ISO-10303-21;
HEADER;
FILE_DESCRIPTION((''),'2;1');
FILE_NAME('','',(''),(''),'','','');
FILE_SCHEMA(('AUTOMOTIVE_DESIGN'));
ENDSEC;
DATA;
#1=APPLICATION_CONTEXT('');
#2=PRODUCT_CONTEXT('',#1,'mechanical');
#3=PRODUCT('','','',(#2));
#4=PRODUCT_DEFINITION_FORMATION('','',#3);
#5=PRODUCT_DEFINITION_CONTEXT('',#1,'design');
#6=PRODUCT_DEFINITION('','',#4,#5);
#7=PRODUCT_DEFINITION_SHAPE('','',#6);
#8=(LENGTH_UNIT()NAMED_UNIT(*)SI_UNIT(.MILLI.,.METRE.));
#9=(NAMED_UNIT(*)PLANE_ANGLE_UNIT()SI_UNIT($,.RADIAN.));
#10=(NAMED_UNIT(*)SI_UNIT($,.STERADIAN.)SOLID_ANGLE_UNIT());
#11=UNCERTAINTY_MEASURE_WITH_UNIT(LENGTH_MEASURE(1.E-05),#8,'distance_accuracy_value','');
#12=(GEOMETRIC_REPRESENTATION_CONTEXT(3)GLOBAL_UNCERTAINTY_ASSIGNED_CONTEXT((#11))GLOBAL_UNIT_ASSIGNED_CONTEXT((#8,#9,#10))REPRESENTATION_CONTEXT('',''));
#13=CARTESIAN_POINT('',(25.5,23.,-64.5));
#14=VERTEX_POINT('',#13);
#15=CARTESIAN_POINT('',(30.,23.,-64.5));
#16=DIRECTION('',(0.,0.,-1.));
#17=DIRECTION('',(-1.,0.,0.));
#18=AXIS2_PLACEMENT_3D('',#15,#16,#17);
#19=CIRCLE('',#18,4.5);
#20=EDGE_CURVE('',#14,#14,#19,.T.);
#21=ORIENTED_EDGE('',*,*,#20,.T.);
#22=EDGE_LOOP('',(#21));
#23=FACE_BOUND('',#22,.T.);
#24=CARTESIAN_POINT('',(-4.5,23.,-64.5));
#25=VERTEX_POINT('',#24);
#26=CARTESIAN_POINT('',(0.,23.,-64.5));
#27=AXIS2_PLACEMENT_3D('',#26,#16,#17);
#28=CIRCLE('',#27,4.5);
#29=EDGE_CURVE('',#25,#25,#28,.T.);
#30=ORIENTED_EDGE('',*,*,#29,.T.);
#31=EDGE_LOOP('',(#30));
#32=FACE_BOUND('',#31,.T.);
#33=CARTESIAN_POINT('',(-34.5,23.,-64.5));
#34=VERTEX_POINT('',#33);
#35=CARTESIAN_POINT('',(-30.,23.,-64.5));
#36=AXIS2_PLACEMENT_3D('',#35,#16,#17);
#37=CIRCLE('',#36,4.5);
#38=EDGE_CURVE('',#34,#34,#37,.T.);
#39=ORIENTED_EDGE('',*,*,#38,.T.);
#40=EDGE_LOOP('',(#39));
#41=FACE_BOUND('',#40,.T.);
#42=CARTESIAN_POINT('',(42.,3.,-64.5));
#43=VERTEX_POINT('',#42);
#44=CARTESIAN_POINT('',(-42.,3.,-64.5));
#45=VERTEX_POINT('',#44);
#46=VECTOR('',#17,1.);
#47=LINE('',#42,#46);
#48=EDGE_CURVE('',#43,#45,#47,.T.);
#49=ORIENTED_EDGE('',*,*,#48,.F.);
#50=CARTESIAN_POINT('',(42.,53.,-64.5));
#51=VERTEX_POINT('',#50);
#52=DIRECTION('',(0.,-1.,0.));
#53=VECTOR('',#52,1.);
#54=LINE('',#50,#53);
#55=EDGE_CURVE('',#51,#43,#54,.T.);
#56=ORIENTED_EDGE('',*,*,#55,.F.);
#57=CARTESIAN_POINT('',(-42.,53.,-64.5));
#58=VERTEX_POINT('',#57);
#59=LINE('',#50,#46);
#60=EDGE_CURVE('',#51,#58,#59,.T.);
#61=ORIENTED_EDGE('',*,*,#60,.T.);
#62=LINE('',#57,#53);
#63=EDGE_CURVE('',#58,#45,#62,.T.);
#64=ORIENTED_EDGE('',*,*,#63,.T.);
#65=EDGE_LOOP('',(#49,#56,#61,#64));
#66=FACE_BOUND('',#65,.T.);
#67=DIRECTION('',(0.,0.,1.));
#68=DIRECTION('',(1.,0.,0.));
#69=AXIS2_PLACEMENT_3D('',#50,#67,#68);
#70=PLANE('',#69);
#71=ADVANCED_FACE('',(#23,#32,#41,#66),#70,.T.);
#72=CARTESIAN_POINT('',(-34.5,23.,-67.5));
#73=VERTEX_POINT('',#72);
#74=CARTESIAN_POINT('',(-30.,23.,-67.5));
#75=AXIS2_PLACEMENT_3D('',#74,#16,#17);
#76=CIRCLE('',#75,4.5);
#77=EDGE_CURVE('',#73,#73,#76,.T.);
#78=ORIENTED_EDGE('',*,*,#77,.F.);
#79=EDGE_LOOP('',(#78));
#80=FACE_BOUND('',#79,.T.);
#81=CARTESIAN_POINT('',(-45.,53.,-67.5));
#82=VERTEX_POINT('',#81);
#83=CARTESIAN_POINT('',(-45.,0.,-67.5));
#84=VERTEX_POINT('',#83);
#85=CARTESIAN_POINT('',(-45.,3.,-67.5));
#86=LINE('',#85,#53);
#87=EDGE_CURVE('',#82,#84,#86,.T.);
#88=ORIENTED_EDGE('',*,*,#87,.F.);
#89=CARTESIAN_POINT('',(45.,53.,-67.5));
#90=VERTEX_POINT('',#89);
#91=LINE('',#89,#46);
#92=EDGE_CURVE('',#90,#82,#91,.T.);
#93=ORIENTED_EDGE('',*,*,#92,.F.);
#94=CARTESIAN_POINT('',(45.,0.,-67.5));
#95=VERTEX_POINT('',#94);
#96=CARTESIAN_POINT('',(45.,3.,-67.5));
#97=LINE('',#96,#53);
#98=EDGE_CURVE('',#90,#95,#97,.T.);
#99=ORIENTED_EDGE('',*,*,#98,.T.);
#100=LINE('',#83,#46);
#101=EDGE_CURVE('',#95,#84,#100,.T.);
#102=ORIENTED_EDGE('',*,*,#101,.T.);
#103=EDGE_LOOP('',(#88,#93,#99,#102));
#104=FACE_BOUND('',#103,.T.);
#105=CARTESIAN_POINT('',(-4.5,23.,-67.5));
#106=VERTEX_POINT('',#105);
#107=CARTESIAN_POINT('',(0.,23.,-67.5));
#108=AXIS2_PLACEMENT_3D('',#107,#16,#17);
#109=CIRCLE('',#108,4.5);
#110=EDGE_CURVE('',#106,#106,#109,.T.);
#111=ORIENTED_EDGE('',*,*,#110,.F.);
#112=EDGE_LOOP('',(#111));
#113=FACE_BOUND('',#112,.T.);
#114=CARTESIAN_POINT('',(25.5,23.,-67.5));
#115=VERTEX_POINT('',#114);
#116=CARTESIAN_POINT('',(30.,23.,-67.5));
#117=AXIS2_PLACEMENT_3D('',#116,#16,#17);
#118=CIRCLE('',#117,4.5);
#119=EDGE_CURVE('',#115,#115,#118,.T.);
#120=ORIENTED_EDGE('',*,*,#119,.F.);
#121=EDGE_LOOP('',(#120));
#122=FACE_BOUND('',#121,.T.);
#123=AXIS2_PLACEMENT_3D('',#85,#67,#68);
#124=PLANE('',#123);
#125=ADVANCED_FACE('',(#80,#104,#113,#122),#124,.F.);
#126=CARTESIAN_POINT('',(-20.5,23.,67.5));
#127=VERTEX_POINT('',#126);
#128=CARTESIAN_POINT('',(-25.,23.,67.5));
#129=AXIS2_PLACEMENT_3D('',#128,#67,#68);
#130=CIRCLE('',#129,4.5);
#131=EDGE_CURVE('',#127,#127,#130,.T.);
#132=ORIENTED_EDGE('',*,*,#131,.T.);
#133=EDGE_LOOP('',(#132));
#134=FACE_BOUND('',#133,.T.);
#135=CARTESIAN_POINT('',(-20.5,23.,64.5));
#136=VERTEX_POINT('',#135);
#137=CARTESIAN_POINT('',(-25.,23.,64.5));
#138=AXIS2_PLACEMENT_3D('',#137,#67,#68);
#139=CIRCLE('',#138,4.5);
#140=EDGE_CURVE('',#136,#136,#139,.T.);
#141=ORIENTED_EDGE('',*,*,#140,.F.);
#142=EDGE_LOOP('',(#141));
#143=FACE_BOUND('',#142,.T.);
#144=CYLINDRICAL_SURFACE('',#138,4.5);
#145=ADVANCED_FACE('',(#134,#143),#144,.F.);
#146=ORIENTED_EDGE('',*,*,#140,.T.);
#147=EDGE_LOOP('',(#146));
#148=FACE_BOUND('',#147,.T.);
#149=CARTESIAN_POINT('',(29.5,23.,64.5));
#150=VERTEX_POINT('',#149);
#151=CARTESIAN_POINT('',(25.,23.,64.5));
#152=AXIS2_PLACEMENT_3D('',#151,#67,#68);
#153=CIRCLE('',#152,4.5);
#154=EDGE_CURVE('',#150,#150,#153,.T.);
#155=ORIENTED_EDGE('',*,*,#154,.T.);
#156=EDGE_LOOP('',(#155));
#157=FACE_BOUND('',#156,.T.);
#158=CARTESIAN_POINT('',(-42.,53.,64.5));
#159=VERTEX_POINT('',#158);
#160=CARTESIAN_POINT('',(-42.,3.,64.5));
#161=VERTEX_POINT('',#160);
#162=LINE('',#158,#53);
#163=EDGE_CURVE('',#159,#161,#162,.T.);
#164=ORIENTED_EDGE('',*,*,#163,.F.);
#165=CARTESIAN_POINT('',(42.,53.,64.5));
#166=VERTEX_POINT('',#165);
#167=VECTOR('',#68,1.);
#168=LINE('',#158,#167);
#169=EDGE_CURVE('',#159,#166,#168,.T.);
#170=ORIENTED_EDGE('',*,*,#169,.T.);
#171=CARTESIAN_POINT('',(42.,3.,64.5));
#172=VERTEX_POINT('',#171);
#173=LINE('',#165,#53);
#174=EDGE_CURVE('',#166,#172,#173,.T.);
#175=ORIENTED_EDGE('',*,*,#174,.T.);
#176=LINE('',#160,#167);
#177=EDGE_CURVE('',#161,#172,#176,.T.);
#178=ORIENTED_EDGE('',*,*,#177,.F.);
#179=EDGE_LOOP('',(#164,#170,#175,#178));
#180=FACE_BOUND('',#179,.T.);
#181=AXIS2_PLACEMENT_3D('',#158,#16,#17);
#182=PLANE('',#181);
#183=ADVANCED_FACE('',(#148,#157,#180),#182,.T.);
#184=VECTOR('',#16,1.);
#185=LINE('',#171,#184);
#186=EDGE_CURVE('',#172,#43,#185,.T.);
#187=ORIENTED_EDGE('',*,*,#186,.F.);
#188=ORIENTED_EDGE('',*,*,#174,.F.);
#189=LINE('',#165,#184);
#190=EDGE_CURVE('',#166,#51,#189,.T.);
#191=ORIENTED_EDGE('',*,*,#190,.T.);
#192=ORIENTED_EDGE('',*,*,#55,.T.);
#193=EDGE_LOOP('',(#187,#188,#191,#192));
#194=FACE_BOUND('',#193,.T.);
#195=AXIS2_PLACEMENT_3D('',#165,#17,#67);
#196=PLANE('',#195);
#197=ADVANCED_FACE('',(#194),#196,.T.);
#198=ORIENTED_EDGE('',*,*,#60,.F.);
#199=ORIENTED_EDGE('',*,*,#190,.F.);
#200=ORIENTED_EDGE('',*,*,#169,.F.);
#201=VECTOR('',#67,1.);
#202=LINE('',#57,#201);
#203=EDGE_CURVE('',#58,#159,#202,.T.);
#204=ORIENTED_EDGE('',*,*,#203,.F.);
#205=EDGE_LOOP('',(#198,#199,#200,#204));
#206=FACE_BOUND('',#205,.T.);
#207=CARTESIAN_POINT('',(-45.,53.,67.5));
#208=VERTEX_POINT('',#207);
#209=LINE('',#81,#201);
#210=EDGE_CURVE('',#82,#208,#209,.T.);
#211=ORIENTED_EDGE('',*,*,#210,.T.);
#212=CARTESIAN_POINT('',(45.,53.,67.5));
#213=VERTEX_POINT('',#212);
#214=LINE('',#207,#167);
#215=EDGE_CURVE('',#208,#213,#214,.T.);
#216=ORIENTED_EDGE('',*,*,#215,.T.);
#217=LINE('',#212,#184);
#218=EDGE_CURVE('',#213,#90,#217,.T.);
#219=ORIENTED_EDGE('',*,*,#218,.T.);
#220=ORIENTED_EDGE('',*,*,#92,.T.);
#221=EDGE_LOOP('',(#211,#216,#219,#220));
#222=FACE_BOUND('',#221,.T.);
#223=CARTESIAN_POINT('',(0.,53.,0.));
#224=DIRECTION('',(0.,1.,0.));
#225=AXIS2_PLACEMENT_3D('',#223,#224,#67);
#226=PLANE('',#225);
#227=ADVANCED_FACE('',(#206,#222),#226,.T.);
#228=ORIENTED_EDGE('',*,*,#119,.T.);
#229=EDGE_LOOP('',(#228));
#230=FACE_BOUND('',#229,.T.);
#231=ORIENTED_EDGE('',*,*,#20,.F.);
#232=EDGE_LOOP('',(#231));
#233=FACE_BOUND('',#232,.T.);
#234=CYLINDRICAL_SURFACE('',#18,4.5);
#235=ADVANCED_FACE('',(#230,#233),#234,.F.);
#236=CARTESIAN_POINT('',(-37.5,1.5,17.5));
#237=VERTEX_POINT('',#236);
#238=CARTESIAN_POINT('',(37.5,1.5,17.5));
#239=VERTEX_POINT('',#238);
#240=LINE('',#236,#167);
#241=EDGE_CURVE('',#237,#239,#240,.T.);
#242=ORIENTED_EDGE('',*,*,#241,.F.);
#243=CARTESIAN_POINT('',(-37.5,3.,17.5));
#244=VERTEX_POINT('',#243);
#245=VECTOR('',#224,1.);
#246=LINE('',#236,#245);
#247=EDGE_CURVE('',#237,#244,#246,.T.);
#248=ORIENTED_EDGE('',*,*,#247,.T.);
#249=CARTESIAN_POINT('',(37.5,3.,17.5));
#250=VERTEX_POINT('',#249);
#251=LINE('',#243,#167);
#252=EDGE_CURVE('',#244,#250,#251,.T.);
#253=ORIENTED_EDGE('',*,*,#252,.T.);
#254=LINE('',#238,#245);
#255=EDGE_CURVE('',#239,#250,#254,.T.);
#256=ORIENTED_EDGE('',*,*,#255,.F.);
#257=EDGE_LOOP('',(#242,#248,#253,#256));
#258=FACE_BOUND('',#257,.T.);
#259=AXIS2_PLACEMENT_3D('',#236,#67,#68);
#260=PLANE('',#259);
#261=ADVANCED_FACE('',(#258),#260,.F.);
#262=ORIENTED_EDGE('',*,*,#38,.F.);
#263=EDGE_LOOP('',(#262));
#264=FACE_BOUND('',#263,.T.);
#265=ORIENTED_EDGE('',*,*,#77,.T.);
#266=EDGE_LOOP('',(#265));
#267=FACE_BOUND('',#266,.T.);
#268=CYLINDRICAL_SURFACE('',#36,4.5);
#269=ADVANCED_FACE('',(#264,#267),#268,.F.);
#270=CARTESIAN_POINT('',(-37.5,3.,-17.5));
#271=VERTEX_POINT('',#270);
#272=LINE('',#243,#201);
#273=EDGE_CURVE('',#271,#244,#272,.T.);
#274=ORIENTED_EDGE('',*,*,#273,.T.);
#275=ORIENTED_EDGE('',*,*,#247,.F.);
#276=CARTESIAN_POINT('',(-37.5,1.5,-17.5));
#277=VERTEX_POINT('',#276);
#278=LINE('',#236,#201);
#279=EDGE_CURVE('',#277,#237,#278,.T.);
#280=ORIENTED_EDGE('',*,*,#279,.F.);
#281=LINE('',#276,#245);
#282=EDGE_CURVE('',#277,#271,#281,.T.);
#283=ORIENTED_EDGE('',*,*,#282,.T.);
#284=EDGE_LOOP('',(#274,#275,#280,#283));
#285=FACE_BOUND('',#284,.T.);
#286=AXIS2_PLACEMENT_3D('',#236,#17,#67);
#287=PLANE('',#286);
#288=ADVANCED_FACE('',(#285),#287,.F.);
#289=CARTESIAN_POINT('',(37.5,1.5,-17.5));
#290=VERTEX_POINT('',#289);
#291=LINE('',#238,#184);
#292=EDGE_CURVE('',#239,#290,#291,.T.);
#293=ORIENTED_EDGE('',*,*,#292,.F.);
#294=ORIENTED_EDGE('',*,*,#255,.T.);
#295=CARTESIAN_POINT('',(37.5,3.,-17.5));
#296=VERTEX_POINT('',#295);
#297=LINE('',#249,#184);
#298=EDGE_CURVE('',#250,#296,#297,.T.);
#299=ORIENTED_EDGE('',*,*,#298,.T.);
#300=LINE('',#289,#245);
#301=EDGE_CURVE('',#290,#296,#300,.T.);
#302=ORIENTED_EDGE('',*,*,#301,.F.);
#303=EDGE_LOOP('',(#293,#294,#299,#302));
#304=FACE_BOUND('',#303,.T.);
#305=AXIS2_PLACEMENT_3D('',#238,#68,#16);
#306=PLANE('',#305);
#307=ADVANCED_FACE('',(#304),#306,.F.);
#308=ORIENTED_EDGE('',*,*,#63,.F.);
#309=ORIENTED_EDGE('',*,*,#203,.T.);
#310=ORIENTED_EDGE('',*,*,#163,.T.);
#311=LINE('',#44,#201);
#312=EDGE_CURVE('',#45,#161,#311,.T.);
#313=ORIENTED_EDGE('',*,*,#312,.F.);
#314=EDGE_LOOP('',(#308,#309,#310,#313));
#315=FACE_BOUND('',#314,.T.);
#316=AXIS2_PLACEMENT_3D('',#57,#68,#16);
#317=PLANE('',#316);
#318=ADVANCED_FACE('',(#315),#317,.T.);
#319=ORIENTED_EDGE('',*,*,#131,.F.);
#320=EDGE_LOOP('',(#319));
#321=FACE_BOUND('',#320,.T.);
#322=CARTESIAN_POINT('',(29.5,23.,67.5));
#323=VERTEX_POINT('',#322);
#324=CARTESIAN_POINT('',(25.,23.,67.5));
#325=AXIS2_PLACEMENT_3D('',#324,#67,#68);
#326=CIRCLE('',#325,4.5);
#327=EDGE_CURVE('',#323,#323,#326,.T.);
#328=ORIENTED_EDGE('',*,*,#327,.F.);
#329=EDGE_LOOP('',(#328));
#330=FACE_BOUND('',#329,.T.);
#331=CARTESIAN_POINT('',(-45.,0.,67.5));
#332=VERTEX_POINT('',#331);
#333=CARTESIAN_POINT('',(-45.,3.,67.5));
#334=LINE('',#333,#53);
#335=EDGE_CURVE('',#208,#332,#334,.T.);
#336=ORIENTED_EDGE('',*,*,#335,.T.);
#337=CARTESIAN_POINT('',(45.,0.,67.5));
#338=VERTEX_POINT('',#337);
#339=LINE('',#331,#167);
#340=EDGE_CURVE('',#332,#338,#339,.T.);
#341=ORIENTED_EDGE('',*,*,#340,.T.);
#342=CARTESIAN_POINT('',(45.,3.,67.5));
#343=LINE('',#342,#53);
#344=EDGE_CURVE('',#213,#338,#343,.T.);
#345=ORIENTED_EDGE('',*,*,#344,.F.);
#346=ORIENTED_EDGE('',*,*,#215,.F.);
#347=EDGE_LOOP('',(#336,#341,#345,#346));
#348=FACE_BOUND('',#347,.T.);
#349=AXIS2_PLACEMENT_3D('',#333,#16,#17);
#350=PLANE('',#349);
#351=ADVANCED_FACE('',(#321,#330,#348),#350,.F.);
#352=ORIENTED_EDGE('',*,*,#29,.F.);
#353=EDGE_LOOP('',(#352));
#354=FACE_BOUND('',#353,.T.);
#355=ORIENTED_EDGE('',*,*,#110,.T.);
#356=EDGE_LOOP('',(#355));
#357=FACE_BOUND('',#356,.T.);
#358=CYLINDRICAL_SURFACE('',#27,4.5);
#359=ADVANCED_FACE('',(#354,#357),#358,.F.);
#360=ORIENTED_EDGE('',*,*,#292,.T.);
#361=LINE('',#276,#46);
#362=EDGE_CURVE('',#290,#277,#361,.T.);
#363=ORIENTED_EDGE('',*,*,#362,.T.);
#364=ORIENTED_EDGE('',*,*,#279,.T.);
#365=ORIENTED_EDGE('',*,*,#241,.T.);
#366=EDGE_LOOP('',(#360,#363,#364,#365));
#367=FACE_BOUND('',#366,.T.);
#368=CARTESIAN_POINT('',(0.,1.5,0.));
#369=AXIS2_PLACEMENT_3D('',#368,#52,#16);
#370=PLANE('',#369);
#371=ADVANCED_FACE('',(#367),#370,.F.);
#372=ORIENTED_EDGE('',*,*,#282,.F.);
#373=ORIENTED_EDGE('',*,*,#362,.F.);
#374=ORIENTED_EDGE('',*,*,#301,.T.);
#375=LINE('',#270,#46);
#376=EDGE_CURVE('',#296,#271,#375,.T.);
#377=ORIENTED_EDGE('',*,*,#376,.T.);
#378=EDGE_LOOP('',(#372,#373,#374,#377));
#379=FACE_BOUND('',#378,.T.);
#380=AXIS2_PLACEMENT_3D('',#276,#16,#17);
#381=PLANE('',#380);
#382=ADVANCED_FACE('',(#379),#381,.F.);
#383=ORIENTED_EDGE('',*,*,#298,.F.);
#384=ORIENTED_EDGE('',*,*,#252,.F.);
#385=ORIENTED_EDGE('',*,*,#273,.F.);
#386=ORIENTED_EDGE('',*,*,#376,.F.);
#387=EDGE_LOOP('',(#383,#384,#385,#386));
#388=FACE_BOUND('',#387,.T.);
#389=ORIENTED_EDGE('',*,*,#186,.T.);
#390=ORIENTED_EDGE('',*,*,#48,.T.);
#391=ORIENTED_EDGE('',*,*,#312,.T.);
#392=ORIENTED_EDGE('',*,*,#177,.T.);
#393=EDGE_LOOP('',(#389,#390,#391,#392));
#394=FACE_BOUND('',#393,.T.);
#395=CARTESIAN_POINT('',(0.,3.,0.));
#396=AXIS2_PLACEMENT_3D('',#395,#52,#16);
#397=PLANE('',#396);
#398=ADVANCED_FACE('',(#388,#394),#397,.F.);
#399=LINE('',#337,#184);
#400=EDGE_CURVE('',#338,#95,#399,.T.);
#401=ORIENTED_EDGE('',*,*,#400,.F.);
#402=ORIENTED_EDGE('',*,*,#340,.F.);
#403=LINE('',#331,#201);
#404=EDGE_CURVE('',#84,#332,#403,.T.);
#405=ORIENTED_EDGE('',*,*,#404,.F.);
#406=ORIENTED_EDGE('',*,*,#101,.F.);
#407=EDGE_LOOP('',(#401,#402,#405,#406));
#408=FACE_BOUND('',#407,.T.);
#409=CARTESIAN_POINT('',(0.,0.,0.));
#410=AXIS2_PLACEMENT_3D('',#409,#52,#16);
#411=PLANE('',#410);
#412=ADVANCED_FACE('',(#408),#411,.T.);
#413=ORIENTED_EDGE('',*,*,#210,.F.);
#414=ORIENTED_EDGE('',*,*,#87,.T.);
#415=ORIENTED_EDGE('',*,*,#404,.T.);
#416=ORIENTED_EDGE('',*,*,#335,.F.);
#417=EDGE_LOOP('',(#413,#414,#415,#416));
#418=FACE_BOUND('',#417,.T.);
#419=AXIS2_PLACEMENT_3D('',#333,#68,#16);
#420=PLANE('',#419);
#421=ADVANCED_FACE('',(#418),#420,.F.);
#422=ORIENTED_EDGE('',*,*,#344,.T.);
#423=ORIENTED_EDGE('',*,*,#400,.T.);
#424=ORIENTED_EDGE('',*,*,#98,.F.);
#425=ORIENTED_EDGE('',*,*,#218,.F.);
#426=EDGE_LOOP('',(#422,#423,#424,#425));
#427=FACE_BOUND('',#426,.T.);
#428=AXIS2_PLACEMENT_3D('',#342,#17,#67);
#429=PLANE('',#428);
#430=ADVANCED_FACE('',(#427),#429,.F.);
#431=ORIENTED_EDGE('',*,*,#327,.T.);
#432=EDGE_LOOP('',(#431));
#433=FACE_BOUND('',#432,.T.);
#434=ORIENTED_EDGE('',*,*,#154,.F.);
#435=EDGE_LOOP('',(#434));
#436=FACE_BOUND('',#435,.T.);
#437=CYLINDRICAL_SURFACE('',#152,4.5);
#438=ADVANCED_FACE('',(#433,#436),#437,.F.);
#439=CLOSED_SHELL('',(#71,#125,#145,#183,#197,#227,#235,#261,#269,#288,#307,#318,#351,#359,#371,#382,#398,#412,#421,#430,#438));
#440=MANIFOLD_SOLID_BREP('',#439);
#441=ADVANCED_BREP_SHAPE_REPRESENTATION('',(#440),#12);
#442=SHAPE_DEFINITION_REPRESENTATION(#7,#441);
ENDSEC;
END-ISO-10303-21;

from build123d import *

# Parameters (mm, degrees)
SKETCH1_W           = 90
SKETCH1_H           = 135
BOSS_EXTRUDE1_DEPTH = 3
SKETCH2_W           = 75
SKETCH2_H           = 35
CUT_EXTRUDE1_DEPTH  = 1.5
SKETCH3_W           = 90
SKETCH3_H           = 135
SKETCH3_W_2         = 84
SKETCH3_H_2         = 129
BOSS_EXTRUDE2_DEPTH = 50
SKETCH4_R           = 4.5
CUT_EXTRUDE2_DEPTH  = 3
SKETCH5_R           = 4.5
CUT_EXTRUDE3_DEPTH  = 3


with BuildPart() as part:
    # Sketch1 → Boss-Extrude1 (new body)
    with BuildSketch(Plane(origin=(0, 0, 0), x_dir=(1, 0, 0), z_dir=(0, 1, 0))):
        Rectangle(SKETCH1_W, SKETCH1_H)
    extrude(amount=BOSS_EXTRUDE1_DEPTH)

    # Sketch2 → Cut-Extrude1 (cut)
    with BuildSketch(Plane(origin=(0, 3, 0), x_dir=(1, 0, 0), z_dir=(0, 1, 0))):
        Rectangle(SKETCH2_W, SKETCH2_H)
    extrude(amount=-CUT_EXTRUDE1_DEPTH, mode=Mode.SUBTRACT)

    # Sketch3 → Boss-Extrude2 (add)
    with BuildSketch(Plane(origin=(0, 3, 0), x_dir=(1, 0, 0), z_dir=(0, 1, 0))):
        Rectangle(SKETCH3_W, SKETCH3_H)
        Rectangle(SKETCH3_W_2, SKETCH3_H_2, mode=Mode.SUBTRACT)
    extrude(amount=BOSS_EXTRUDE2_DEPTH)

    # Sketch4 → Cut-Extrude2 (cut)
    with BuildSketch(Plane.XY.offset(67.5)):
        with Locations((-25, 23)):
            Circle(SKETCH4_R)
        with Locations((25, 23)):
            Circle(SKETCH4_R)
    extrude(amount=-CUT_EXTRUDE2_DEPTH, mode=Mode.SUBTRACT)

    # Sketch5 → Cut-Extrude3 (cut)
    with BuildSketch(Plane(origin=(0, 0, -67.5), x_dir=(-1, 0, 0), z_dir=(0, 0, -1))):
        with Locations((-30, 23)):
            Circle(SKETCH5_R)
        with Locations((0, 23)):
            Circle(SKETCH5_R)
        with Locations((30, 23)):
            Circle(SKETCH5_R)
    extrude(amount=-CUT_EXTRUDE3_DEPTH, mode=Mode.SUBTRACT)


solid = part.part
